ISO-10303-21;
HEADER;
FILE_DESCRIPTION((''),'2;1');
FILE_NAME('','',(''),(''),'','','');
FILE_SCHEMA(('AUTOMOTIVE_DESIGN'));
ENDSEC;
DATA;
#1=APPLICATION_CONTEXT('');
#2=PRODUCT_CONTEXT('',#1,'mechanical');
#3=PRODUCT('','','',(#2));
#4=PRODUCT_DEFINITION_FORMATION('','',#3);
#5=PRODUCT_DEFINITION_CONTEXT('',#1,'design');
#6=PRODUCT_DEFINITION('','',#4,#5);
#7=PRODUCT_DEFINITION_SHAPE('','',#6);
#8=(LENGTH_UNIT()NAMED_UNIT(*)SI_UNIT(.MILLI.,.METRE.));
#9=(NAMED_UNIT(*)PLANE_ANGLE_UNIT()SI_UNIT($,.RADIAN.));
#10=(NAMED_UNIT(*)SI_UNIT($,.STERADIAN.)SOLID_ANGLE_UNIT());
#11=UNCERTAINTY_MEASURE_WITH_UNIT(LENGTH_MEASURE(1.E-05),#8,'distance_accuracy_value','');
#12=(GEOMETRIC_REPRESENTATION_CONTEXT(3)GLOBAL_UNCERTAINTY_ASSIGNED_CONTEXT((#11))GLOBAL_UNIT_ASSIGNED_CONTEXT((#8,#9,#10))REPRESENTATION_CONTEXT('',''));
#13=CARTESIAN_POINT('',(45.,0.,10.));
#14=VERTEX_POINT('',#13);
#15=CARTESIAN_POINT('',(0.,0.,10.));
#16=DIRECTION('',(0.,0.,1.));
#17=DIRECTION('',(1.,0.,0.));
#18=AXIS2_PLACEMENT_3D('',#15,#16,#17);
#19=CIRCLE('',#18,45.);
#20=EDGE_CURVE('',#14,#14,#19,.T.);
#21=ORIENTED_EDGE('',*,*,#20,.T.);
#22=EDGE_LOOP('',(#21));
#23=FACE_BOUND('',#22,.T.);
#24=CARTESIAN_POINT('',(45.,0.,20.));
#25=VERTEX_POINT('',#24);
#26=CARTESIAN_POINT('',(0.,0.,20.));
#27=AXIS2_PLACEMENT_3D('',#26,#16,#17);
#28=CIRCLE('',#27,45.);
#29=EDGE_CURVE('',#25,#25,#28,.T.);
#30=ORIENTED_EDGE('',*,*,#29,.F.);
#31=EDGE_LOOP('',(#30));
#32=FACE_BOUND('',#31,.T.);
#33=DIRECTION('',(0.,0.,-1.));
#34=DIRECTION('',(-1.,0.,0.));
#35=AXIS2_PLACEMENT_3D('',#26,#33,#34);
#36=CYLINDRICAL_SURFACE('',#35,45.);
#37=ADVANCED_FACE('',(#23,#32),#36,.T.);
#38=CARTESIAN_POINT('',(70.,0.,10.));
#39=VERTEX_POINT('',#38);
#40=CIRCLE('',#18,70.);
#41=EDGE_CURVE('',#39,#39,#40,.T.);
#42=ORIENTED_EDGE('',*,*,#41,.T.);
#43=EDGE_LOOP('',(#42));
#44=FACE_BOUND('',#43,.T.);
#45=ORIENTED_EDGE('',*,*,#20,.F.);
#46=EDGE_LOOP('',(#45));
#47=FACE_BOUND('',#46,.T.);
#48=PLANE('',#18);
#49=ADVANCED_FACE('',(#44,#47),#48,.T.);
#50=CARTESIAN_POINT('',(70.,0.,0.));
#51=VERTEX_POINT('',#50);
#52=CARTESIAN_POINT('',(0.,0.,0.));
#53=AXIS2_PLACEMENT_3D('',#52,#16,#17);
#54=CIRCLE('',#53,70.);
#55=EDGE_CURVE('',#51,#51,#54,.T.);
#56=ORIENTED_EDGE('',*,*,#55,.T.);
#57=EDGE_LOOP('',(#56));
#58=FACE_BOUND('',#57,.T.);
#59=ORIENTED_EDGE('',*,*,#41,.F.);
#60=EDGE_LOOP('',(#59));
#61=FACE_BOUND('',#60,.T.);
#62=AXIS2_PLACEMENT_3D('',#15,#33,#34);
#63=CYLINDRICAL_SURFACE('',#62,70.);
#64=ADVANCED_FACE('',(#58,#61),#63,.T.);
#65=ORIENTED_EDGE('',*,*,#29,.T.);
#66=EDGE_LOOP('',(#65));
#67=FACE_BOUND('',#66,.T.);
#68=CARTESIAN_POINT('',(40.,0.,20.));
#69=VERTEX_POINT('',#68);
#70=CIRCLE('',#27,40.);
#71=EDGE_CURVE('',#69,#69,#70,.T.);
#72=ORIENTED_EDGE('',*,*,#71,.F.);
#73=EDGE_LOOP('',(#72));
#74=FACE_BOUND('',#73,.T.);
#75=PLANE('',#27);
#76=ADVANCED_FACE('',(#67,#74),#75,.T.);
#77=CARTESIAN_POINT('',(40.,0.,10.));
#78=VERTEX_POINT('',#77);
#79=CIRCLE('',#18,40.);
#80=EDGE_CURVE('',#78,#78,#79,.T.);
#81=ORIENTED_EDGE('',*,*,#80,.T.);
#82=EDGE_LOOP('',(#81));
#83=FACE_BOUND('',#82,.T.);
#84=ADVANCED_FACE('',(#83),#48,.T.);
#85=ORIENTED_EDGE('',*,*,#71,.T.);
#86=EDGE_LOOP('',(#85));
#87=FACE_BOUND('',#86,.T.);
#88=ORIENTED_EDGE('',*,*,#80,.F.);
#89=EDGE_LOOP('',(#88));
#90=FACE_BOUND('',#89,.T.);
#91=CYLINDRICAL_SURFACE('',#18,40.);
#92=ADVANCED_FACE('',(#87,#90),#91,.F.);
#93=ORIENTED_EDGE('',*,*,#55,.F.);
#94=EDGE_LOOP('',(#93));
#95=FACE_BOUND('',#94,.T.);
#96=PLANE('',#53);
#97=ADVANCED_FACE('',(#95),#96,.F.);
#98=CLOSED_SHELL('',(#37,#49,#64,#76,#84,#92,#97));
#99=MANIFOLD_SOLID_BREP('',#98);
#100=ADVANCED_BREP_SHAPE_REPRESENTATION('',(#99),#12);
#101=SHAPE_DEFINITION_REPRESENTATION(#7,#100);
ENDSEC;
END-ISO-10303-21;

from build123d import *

# Parameters (mm, degrees)
SZKIC1_R                    = 70
DODANIE_WYCI_GNI_CIE1_DEPTH = 10
SZKIC2_R                    = 45
DODANIE_WYCI_GNI_CIE2_DEPTH = 10
SZKIC3_R                    = 40
WYTNIJ_WYCI_GNI_CIE1_DEPTH  = 10


with BuildPart() as part:
    # Szkic1 → Dodanie-wyciągnięcie1 (new body)
    with BuildSketch(Plane.XY):
        Circle(SZKIC1_R)
    extrude(amount=DODANIE_WYCI_GNI_CIE1_DEPTH)

    # Szkic2 → Dodanie-wyciągnięcie2 (add)
    with BuildSketch(Plane.XY.offset(10)):
        Circle(SZKIC2_R)
    extrude(amount=DODANIE_WYCI_GNI_CIE2_DEPTH)

    # Szkic3 → Wytnij-wyciągnięcie1 (cut)
    with BuildSketch(Plane.XY.offset(20)):
        Circle(SZKIC3_R)
    extrude(amount=-WYTNIJ_WYCI_GNI_CIE1_DEPTH, mode=Mode.SUBTRACT)


solid = part.part
